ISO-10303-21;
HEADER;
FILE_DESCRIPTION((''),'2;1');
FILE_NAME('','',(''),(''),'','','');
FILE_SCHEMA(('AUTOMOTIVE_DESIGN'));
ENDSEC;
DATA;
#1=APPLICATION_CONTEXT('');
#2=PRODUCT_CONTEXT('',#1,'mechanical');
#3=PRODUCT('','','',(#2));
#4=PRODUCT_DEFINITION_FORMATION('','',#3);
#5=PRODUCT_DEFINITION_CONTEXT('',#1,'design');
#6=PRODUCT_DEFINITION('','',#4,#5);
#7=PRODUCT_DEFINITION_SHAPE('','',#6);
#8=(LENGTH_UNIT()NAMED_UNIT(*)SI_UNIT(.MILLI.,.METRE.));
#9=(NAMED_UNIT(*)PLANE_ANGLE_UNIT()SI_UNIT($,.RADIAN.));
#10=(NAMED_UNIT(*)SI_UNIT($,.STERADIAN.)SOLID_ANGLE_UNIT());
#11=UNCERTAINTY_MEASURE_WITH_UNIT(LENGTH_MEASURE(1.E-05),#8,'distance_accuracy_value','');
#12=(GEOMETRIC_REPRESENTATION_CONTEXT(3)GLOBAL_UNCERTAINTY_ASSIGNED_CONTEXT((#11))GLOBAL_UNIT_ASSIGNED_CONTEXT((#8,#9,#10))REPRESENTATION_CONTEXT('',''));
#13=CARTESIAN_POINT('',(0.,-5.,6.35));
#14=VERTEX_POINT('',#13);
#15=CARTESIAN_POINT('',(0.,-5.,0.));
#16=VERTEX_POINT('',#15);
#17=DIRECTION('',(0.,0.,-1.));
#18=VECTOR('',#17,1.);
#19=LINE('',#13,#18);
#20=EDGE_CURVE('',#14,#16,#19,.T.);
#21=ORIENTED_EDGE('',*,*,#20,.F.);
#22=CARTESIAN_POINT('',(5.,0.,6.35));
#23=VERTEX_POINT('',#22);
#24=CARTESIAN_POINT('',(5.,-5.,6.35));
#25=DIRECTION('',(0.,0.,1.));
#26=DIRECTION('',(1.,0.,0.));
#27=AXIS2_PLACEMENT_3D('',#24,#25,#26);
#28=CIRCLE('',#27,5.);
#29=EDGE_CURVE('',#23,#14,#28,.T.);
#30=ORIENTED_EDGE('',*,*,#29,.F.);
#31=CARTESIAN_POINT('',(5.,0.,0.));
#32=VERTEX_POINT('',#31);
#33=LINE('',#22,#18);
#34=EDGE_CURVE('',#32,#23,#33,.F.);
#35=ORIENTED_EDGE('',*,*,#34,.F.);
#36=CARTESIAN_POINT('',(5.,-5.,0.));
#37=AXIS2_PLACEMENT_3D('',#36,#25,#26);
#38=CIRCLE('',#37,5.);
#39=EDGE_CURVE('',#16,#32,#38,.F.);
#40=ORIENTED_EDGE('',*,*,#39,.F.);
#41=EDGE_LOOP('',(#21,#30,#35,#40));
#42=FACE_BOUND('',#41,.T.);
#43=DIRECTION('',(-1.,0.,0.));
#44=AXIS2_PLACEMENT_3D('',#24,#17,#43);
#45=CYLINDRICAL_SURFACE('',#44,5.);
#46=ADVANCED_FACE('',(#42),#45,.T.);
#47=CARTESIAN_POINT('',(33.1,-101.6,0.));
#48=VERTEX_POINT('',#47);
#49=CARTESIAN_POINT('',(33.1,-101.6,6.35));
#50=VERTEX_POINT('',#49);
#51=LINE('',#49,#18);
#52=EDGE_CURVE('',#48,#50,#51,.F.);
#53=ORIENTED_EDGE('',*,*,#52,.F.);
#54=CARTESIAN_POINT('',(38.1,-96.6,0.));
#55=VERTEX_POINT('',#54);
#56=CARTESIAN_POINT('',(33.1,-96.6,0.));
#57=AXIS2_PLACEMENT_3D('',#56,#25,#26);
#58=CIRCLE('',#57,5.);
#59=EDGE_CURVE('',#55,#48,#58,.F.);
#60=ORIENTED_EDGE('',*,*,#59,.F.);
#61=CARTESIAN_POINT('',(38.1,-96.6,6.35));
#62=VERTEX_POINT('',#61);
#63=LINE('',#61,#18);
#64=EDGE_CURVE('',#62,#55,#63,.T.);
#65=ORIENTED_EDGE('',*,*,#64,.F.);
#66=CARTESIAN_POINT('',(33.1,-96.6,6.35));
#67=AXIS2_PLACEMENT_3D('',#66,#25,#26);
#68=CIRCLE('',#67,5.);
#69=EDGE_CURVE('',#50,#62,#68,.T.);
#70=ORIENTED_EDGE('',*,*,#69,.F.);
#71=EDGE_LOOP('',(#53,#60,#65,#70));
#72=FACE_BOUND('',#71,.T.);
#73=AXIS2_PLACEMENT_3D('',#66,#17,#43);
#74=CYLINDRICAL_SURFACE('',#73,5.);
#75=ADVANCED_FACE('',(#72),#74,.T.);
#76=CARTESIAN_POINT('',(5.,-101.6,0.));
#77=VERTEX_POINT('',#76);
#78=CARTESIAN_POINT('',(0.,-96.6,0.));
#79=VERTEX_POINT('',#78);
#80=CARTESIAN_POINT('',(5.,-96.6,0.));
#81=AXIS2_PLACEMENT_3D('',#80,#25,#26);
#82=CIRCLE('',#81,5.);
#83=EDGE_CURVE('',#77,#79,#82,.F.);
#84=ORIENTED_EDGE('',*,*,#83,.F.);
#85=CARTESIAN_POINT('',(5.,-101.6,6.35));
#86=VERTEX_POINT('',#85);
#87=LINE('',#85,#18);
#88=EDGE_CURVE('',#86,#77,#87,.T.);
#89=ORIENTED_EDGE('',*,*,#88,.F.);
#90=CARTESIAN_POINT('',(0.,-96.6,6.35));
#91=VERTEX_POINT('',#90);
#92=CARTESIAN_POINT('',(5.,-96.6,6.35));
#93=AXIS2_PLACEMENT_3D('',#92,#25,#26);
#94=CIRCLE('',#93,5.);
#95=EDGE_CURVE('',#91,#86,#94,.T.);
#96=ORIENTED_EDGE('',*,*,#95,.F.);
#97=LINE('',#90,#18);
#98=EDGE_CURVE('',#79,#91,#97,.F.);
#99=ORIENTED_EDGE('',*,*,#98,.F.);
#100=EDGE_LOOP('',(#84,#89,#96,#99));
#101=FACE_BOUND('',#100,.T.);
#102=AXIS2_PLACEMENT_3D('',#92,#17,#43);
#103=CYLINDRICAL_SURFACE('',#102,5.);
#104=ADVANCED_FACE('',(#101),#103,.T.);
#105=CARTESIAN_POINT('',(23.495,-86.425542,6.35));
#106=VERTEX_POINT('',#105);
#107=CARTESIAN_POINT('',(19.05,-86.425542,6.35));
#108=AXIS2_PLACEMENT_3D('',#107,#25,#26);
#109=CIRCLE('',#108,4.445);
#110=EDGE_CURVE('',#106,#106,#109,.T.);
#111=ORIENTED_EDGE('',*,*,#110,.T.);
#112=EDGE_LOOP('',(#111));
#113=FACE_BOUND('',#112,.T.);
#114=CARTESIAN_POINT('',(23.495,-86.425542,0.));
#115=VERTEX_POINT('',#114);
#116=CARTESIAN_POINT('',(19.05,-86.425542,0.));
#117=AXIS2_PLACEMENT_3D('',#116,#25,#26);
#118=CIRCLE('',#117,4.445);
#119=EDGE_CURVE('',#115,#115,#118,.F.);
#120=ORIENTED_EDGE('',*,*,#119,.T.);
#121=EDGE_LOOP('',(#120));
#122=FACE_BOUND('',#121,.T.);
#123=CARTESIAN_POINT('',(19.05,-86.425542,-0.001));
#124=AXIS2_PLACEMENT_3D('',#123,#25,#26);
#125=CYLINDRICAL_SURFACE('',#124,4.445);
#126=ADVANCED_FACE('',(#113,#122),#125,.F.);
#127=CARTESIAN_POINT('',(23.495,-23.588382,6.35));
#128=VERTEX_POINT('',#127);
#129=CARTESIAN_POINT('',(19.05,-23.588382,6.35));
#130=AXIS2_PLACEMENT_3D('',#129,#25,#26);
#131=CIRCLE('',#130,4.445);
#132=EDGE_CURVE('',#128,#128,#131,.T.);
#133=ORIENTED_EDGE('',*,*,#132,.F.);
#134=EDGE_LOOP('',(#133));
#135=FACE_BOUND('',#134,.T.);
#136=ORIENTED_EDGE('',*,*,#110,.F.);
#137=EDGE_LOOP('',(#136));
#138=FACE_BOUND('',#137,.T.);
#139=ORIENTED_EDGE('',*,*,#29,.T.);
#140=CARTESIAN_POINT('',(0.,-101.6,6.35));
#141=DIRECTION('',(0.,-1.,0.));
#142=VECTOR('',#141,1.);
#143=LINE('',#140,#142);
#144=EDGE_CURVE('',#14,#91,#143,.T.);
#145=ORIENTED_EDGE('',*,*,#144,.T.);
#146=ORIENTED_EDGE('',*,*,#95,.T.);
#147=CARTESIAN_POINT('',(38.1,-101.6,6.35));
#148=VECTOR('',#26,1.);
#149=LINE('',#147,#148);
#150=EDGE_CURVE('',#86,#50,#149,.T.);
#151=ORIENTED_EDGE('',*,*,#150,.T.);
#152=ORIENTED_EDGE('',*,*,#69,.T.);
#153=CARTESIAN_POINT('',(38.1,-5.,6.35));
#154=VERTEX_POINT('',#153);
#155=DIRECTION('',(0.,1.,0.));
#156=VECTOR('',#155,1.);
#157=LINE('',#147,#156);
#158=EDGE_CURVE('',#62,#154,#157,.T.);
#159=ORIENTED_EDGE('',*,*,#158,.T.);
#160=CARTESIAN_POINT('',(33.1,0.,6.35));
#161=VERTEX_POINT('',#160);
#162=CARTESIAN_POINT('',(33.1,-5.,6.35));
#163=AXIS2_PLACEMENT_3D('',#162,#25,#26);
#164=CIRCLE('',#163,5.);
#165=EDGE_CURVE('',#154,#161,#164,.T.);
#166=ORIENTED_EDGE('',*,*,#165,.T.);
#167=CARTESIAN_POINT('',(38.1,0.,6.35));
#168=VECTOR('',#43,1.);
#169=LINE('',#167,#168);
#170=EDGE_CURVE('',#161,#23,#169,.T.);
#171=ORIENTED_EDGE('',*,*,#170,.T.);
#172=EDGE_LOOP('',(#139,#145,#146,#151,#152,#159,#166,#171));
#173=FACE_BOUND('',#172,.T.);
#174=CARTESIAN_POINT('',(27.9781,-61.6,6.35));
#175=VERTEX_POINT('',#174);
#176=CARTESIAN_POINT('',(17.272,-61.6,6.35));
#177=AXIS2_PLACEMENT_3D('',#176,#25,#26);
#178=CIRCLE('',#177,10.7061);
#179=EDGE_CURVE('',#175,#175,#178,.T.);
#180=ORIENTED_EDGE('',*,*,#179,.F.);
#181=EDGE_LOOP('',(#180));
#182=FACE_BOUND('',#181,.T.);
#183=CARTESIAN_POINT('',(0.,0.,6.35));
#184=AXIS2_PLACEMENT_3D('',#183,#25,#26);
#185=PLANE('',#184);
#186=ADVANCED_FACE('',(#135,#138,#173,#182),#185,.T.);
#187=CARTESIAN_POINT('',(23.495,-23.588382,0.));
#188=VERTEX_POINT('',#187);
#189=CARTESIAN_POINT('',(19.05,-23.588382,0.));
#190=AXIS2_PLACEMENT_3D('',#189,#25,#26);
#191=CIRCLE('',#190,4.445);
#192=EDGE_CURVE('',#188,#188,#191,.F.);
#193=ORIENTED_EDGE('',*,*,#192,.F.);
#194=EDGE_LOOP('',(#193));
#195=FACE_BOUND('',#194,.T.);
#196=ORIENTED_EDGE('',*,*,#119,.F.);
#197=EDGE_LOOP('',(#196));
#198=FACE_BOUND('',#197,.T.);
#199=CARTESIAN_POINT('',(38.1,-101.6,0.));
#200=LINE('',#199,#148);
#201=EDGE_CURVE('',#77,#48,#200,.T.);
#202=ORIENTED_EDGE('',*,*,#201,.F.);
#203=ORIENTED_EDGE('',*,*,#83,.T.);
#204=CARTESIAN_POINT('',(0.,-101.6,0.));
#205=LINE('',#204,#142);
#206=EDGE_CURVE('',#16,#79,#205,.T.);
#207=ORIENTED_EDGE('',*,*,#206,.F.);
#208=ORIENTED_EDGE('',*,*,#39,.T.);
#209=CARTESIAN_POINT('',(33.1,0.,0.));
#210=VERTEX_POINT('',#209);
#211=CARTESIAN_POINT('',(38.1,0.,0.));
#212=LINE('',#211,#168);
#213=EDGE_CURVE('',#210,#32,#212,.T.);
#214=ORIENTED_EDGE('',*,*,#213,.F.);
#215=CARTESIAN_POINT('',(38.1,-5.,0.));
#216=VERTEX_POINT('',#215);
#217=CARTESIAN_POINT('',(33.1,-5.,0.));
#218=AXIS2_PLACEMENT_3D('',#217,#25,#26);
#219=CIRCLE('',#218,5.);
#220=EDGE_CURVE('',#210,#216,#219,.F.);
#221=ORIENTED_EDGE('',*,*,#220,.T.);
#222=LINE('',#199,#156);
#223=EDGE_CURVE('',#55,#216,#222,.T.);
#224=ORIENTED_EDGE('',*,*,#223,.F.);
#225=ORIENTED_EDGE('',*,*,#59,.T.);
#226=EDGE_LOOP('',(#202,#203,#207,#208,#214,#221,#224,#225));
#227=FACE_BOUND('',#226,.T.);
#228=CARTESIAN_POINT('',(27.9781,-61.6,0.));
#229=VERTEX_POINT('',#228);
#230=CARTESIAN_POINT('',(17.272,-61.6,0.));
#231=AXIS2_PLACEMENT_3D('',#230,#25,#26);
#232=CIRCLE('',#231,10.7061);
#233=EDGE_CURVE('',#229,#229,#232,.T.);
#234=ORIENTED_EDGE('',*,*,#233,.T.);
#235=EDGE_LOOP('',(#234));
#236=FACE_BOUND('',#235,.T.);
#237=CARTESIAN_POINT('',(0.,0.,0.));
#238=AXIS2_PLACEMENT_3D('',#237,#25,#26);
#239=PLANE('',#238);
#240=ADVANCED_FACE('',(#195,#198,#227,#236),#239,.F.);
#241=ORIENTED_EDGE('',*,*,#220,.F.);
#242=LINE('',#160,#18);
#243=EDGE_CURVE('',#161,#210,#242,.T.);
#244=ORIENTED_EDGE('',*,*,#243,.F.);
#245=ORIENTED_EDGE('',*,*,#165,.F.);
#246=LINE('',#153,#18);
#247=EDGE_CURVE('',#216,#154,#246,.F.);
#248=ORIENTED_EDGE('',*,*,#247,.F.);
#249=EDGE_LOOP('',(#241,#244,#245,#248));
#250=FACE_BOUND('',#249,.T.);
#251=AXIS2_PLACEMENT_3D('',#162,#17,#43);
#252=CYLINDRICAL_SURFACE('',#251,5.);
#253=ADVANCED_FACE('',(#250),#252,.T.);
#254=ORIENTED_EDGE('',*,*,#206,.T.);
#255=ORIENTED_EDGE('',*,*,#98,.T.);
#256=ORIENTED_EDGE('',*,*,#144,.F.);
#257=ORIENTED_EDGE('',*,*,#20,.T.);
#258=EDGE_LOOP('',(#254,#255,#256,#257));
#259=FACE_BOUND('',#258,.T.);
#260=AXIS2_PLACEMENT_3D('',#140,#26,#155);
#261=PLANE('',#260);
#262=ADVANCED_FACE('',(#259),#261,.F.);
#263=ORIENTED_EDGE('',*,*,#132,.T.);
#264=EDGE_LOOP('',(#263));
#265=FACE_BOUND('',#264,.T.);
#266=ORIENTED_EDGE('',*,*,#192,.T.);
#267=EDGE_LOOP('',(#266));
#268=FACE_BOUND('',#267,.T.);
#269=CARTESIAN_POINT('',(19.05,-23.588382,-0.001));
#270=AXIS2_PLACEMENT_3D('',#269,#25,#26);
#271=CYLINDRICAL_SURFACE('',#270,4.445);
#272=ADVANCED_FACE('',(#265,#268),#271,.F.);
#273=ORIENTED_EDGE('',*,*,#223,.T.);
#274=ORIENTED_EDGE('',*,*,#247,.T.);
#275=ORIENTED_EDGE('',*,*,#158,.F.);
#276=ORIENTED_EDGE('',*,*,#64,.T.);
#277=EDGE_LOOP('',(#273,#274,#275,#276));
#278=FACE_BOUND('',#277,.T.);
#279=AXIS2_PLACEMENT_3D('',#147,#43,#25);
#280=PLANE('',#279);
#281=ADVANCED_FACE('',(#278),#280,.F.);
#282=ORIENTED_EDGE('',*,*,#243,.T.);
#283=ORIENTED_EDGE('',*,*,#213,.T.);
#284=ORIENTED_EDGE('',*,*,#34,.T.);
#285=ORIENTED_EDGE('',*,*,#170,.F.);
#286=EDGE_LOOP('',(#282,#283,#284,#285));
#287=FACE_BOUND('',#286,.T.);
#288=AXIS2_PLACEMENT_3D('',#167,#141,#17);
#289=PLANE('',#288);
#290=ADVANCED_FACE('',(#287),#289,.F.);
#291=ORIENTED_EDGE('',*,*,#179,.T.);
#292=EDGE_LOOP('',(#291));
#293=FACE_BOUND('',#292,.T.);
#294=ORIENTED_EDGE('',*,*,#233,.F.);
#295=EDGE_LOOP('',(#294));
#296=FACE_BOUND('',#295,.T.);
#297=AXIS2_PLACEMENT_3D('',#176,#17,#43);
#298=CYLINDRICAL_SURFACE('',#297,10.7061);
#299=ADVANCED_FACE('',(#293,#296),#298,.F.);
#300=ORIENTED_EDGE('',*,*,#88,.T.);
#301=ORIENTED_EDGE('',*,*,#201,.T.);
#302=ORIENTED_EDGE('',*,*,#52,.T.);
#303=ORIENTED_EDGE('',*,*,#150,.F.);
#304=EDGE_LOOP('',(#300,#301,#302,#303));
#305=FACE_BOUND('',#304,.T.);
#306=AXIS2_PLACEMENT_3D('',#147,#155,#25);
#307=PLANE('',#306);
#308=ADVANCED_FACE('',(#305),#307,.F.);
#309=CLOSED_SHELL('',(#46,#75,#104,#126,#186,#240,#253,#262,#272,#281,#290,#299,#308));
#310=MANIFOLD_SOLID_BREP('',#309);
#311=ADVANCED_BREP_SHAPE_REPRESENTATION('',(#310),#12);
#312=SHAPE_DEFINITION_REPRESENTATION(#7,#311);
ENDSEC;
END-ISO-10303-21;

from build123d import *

# Parameters (mm, degrees)
SKETCH1_W           = 38.1
SKETCH1_H           = 101.6
SKETCH1_R           = 10.7061
BOSS_EXTRUDE1_DEPTH = 6.35
CUT_EXTRUDE1_REACH  = 110.694
SKETCH2_R           = 4.445
FILLET1_R           = 5


with BuildPart() as part:
    # Sketch1 → Boss-Extrude1 (new body)
    with BuildSketch(Plane.XY):
        with Locations((19.05, -50.8)):
            Rectangle(SKETCH1_W, SKETCH1_H)
        with Locations((17.272, -61.6)):
            Circle(SKETCH1_R, mode=Mode.SUBTRACT)
    extrude(amount=BOSS_EXTRUDE1_DEPTH)

    # Sketch2 → Cut-Extrude1 (cut, up to next)
    with BuildSketch(Plane.XY.offset(6.35), mode=Mode.PRIVATE) as cut_extrude1_sk1:
        with Locations((19.05, -23.588381621)):
            Circle(SKETCH2_R)
    cut_extrude1_tool1 = extrude(cut_extrude1_sk1.sketch, amount=-CUT_EXTRUDE1_REACH, mode=Mode.PRIVATE) & part.part
    # Sketch2 → Cut-Extrude1 (cut, up to next)
    with BuildSketch(Plane.XY.offset(6.35), mode=Mode.PRIVATE) as cut_extrude1_sk2:
        with Locations((19.05, -86.425541616)):
            Circle(SKETCH2_R)
    cut_extrude1_tool2 = extrude(cut_extrude1_sk2.sketch, amount=-CUT_EXTRUDE1_REACH, mode=Mode.PRIVATE) & part.part
    add(cut_extrude1_tool1.solids().sort_by_distance((19.05, -23.588382, 6.35))[0], mode=Mode.SUBTRACT)
    add(cut_extrude1_tool2.solids().sort_by_distance((19.05, -86.425542, 6.35))[0], mode=Mode.SUBTRACT)

    # Fillet1
    fillet1_edges = [part.edges().sort_by_distance(p)[0] for p in [
        (0, 0, 3.175),
        (38.1, 0, 3.175),
        (38.1, -101.6, 3.175),
        (0, -101.6, 3.175),
    ]]
    fillet(fillet1_edges, radius=FILLET1_R)


solid = part.part
